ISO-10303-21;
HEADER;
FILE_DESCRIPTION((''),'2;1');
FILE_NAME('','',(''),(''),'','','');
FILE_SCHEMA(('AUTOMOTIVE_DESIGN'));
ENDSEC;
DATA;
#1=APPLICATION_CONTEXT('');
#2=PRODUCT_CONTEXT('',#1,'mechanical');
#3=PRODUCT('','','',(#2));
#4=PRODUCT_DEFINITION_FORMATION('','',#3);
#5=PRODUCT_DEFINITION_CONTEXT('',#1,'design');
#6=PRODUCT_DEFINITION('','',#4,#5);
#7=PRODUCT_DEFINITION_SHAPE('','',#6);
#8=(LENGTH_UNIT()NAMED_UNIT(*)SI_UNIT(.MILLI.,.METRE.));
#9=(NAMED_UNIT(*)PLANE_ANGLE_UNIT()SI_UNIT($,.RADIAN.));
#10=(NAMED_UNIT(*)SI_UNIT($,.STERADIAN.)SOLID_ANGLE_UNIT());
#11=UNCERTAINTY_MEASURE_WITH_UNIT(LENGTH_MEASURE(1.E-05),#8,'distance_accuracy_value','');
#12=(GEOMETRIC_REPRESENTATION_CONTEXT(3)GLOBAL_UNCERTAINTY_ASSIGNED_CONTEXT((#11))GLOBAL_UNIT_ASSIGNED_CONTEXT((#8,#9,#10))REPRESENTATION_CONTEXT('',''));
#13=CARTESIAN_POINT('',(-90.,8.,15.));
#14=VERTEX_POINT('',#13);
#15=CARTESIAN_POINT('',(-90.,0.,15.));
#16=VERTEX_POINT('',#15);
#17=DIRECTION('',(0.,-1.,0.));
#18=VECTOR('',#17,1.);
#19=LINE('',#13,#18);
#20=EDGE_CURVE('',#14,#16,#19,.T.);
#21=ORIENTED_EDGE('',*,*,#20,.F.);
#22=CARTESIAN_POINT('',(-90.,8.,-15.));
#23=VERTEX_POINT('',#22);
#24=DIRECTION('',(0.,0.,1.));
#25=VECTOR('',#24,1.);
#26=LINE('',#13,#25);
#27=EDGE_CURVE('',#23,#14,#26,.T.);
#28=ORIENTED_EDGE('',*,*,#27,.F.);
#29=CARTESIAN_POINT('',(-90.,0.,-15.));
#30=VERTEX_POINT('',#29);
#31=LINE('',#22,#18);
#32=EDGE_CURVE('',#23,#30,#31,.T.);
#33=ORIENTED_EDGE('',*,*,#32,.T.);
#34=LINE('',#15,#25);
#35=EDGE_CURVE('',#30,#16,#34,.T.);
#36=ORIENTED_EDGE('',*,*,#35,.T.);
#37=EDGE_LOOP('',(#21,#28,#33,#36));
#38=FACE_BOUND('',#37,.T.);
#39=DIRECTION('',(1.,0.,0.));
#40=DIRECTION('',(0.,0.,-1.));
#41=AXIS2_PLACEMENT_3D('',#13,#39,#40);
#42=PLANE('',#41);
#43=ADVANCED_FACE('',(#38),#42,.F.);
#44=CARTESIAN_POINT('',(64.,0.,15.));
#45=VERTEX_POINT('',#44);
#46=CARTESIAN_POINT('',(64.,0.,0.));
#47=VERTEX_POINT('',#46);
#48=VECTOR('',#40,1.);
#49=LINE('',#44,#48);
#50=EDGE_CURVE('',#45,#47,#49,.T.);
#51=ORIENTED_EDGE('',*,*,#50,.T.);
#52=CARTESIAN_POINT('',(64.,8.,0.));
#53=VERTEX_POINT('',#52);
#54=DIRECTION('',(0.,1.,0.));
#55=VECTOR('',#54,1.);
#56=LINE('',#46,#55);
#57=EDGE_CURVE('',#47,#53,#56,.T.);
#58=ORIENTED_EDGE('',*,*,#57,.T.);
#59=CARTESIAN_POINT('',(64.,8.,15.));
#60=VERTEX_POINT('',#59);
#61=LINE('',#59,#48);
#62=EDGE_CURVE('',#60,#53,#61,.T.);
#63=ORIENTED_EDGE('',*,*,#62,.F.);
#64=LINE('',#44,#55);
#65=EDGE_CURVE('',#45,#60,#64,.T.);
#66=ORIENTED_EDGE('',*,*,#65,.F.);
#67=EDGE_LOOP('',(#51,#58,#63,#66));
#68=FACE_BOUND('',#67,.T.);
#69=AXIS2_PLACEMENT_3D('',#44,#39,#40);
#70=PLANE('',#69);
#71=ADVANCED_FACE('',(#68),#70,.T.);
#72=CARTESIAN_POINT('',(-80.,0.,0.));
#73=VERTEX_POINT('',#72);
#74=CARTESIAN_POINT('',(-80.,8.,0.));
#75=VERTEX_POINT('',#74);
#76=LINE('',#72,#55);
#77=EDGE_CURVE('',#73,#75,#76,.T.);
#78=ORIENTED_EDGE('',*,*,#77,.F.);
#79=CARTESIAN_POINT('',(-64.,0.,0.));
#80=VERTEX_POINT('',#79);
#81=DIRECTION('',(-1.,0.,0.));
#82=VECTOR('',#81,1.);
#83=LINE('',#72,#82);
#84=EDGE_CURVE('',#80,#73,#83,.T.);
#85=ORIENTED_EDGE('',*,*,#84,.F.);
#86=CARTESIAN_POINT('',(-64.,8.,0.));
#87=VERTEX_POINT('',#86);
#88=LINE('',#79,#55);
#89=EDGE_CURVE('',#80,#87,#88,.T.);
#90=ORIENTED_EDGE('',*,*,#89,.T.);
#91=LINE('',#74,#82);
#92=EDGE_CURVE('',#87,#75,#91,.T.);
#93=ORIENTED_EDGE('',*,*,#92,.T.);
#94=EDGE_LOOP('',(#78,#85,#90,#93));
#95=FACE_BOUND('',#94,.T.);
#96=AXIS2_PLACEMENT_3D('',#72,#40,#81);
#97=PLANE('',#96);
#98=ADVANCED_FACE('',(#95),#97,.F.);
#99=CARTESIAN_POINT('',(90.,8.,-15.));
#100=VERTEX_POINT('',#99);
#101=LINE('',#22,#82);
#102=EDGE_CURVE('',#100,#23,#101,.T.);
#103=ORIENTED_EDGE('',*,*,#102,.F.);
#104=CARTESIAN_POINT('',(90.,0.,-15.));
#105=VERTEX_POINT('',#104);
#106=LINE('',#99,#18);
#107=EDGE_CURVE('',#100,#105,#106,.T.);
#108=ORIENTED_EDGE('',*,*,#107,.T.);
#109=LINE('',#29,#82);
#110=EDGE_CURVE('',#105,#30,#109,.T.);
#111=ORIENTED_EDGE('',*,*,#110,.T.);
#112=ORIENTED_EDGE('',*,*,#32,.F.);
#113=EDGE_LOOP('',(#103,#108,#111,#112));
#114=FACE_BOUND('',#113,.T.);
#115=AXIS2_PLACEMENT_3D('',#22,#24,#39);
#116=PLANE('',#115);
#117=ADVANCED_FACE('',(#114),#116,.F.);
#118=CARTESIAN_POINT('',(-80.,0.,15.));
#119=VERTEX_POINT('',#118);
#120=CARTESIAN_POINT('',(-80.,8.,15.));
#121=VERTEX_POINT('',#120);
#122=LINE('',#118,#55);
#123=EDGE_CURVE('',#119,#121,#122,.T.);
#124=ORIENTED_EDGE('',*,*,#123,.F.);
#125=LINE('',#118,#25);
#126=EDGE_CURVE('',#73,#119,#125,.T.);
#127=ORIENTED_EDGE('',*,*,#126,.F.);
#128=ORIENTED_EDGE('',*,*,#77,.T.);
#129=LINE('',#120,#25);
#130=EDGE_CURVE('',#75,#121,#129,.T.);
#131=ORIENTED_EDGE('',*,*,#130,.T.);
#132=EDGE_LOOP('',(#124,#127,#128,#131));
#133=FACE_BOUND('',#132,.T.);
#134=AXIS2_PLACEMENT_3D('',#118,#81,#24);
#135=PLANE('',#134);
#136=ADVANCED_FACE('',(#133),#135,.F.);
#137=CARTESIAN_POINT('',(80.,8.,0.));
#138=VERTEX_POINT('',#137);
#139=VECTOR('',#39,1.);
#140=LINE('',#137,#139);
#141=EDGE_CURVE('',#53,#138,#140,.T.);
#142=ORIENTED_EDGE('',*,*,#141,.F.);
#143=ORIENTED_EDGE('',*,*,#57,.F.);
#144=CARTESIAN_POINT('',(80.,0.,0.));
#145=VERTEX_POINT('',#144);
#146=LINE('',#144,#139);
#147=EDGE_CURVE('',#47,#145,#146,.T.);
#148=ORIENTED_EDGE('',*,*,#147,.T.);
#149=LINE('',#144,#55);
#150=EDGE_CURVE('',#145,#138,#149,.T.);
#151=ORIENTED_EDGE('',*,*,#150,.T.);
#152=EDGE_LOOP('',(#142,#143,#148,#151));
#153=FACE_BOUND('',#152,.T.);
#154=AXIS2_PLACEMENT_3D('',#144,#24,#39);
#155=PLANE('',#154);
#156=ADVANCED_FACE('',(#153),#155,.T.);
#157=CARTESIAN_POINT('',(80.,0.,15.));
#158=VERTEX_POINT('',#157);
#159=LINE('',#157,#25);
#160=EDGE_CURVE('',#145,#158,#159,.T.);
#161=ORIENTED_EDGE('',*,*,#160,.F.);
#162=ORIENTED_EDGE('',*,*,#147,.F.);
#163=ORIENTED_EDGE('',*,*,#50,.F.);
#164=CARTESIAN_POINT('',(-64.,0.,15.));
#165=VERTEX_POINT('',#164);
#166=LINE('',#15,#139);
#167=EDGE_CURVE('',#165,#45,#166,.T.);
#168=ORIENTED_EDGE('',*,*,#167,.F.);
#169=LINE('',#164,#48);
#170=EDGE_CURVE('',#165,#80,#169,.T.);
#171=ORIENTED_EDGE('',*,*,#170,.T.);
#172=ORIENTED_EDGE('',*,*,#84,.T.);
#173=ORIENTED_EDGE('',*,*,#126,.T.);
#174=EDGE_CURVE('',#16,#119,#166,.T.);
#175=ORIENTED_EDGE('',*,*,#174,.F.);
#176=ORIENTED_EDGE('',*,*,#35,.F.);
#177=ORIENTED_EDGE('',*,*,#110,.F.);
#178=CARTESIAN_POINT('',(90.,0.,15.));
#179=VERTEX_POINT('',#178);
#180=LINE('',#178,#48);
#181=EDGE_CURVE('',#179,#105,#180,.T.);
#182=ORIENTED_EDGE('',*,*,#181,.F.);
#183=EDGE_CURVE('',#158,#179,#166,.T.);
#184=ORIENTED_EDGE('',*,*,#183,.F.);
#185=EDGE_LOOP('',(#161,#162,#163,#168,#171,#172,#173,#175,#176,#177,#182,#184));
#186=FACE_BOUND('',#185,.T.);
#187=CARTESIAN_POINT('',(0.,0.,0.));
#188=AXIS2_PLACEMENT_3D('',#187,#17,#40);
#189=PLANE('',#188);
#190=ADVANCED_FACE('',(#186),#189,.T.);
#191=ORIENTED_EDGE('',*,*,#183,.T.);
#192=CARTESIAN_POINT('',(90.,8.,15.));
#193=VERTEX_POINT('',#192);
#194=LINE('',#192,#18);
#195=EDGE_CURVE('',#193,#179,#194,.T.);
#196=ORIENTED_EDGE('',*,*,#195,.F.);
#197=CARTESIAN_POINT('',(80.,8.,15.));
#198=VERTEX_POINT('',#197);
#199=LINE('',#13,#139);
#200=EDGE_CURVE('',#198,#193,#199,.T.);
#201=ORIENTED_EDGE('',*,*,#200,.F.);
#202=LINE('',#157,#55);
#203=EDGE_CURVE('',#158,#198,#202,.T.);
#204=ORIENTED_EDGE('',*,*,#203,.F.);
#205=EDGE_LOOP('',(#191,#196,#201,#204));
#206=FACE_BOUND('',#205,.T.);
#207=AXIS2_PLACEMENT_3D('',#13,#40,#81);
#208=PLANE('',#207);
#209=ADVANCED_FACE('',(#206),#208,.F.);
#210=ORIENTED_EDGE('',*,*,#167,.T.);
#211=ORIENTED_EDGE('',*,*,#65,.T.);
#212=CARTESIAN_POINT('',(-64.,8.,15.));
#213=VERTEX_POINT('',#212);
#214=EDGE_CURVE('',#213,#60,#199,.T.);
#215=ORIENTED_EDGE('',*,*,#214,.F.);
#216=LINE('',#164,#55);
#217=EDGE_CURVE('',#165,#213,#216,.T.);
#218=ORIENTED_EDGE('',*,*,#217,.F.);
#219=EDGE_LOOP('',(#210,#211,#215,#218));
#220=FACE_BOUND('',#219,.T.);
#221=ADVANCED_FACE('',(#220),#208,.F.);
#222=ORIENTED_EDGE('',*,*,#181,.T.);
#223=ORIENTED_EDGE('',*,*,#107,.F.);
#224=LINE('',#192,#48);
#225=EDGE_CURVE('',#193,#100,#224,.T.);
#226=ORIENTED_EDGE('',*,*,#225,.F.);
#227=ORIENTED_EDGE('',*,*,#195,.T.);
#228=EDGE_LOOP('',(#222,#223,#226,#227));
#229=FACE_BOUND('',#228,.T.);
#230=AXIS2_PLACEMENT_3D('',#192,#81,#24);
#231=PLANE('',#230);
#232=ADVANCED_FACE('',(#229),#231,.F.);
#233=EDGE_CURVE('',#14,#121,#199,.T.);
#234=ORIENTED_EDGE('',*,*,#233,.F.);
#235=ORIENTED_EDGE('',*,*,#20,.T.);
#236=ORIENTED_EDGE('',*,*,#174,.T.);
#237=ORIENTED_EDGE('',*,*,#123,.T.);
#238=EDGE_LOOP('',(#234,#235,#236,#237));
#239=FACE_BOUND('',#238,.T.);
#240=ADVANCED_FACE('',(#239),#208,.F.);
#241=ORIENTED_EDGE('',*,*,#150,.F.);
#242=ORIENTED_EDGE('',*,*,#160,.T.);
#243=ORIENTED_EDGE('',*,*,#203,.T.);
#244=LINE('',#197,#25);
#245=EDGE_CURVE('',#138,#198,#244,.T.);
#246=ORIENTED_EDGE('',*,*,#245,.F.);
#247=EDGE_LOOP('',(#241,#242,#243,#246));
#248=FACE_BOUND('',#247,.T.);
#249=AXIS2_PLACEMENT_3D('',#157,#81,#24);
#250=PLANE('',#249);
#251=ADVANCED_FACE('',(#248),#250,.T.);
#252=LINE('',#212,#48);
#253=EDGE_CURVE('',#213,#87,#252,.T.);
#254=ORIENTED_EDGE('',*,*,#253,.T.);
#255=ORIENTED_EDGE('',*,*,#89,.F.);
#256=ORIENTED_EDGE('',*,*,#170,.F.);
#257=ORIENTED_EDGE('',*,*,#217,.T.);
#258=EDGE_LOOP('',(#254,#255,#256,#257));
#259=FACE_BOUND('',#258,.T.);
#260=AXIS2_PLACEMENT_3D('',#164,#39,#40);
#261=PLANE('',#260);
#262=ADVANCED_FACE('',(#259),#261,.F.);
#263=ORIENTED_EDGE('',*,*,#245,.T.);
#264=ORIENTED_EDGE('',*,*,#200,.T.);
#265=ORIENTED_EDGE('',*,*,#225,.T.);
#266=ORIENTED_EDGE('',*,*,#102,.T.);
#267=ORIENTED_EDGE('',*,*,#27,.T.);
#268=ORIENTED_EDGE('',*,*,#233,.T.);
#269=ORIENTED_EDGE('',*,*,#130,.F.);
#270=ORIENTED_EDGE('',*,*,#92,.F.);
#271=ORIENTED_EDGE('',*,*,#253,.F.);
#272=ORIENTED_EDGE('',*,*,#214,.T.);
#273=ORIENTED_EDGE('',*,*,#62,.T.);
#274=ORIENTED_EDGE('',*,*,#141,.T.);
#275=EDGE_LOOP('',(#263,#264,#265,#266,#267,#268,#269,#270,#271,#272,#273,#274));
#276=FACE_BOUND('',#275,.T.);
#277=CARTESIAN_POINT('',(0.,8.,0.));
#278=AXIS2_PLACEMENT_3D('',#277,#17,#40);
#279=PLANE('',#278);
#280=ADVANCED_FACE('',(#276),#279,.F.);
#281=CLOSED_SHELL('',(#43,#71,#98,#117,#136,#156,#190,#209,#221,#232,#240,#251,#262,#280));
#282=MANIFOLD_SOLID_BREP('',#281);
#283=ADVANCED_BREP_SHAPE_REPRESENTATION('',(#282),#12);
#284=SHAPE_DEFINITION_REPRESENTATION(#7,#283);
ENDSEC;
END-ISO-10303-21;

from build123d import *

# Parameters (mm, degrees)
SKETCH1_W           = 180
SKETCH1_H           = 30
BOSS_EXTRUDE1_DEPTH = 8
SKETCH3_W           = 16
SKETCH3_H           = 15
CUT_EXTRUDE1_DEPTH  = 8


with BuildPart() as part:
    # Sketch1 → Boss-Extrude1 (new body)
    with BuildSketch(Plane(origin=(0, 0, 0), x_dir=(1, 0, 0), z_dir=(0, 1, 0))):
        Rectangle(SKETCH1_W, SKETCH1_H)
    extrude(amount=BOSS_EXTRUDE1_DEPTH)

    # Sketch3 → Cut-Extrude1 (cut)
    with BuildSketch(Plane(origin=(0, 8, 0), x_dir=(1, 0, 0), z_dir=(0, 1, 0))):
        with Locations((-72, -7.5)):
            Rectangle(SKETCH3_W, SKETCH3_H)
    cut_extrude1 = extrude(amount=-CUT_EXTRUDE1_DEPTH, mode=Mode.SUBTRACT)

    # Mirror1: Cut-Extrude1 across plane
    add(cut_extrude1.mirror(Plane(origin=(0, 0, 0), x_dir=(0, 0, 1), z_dir=(1, 0, 0))), mode=Mode.SUBTRACT)


solid = part.part
